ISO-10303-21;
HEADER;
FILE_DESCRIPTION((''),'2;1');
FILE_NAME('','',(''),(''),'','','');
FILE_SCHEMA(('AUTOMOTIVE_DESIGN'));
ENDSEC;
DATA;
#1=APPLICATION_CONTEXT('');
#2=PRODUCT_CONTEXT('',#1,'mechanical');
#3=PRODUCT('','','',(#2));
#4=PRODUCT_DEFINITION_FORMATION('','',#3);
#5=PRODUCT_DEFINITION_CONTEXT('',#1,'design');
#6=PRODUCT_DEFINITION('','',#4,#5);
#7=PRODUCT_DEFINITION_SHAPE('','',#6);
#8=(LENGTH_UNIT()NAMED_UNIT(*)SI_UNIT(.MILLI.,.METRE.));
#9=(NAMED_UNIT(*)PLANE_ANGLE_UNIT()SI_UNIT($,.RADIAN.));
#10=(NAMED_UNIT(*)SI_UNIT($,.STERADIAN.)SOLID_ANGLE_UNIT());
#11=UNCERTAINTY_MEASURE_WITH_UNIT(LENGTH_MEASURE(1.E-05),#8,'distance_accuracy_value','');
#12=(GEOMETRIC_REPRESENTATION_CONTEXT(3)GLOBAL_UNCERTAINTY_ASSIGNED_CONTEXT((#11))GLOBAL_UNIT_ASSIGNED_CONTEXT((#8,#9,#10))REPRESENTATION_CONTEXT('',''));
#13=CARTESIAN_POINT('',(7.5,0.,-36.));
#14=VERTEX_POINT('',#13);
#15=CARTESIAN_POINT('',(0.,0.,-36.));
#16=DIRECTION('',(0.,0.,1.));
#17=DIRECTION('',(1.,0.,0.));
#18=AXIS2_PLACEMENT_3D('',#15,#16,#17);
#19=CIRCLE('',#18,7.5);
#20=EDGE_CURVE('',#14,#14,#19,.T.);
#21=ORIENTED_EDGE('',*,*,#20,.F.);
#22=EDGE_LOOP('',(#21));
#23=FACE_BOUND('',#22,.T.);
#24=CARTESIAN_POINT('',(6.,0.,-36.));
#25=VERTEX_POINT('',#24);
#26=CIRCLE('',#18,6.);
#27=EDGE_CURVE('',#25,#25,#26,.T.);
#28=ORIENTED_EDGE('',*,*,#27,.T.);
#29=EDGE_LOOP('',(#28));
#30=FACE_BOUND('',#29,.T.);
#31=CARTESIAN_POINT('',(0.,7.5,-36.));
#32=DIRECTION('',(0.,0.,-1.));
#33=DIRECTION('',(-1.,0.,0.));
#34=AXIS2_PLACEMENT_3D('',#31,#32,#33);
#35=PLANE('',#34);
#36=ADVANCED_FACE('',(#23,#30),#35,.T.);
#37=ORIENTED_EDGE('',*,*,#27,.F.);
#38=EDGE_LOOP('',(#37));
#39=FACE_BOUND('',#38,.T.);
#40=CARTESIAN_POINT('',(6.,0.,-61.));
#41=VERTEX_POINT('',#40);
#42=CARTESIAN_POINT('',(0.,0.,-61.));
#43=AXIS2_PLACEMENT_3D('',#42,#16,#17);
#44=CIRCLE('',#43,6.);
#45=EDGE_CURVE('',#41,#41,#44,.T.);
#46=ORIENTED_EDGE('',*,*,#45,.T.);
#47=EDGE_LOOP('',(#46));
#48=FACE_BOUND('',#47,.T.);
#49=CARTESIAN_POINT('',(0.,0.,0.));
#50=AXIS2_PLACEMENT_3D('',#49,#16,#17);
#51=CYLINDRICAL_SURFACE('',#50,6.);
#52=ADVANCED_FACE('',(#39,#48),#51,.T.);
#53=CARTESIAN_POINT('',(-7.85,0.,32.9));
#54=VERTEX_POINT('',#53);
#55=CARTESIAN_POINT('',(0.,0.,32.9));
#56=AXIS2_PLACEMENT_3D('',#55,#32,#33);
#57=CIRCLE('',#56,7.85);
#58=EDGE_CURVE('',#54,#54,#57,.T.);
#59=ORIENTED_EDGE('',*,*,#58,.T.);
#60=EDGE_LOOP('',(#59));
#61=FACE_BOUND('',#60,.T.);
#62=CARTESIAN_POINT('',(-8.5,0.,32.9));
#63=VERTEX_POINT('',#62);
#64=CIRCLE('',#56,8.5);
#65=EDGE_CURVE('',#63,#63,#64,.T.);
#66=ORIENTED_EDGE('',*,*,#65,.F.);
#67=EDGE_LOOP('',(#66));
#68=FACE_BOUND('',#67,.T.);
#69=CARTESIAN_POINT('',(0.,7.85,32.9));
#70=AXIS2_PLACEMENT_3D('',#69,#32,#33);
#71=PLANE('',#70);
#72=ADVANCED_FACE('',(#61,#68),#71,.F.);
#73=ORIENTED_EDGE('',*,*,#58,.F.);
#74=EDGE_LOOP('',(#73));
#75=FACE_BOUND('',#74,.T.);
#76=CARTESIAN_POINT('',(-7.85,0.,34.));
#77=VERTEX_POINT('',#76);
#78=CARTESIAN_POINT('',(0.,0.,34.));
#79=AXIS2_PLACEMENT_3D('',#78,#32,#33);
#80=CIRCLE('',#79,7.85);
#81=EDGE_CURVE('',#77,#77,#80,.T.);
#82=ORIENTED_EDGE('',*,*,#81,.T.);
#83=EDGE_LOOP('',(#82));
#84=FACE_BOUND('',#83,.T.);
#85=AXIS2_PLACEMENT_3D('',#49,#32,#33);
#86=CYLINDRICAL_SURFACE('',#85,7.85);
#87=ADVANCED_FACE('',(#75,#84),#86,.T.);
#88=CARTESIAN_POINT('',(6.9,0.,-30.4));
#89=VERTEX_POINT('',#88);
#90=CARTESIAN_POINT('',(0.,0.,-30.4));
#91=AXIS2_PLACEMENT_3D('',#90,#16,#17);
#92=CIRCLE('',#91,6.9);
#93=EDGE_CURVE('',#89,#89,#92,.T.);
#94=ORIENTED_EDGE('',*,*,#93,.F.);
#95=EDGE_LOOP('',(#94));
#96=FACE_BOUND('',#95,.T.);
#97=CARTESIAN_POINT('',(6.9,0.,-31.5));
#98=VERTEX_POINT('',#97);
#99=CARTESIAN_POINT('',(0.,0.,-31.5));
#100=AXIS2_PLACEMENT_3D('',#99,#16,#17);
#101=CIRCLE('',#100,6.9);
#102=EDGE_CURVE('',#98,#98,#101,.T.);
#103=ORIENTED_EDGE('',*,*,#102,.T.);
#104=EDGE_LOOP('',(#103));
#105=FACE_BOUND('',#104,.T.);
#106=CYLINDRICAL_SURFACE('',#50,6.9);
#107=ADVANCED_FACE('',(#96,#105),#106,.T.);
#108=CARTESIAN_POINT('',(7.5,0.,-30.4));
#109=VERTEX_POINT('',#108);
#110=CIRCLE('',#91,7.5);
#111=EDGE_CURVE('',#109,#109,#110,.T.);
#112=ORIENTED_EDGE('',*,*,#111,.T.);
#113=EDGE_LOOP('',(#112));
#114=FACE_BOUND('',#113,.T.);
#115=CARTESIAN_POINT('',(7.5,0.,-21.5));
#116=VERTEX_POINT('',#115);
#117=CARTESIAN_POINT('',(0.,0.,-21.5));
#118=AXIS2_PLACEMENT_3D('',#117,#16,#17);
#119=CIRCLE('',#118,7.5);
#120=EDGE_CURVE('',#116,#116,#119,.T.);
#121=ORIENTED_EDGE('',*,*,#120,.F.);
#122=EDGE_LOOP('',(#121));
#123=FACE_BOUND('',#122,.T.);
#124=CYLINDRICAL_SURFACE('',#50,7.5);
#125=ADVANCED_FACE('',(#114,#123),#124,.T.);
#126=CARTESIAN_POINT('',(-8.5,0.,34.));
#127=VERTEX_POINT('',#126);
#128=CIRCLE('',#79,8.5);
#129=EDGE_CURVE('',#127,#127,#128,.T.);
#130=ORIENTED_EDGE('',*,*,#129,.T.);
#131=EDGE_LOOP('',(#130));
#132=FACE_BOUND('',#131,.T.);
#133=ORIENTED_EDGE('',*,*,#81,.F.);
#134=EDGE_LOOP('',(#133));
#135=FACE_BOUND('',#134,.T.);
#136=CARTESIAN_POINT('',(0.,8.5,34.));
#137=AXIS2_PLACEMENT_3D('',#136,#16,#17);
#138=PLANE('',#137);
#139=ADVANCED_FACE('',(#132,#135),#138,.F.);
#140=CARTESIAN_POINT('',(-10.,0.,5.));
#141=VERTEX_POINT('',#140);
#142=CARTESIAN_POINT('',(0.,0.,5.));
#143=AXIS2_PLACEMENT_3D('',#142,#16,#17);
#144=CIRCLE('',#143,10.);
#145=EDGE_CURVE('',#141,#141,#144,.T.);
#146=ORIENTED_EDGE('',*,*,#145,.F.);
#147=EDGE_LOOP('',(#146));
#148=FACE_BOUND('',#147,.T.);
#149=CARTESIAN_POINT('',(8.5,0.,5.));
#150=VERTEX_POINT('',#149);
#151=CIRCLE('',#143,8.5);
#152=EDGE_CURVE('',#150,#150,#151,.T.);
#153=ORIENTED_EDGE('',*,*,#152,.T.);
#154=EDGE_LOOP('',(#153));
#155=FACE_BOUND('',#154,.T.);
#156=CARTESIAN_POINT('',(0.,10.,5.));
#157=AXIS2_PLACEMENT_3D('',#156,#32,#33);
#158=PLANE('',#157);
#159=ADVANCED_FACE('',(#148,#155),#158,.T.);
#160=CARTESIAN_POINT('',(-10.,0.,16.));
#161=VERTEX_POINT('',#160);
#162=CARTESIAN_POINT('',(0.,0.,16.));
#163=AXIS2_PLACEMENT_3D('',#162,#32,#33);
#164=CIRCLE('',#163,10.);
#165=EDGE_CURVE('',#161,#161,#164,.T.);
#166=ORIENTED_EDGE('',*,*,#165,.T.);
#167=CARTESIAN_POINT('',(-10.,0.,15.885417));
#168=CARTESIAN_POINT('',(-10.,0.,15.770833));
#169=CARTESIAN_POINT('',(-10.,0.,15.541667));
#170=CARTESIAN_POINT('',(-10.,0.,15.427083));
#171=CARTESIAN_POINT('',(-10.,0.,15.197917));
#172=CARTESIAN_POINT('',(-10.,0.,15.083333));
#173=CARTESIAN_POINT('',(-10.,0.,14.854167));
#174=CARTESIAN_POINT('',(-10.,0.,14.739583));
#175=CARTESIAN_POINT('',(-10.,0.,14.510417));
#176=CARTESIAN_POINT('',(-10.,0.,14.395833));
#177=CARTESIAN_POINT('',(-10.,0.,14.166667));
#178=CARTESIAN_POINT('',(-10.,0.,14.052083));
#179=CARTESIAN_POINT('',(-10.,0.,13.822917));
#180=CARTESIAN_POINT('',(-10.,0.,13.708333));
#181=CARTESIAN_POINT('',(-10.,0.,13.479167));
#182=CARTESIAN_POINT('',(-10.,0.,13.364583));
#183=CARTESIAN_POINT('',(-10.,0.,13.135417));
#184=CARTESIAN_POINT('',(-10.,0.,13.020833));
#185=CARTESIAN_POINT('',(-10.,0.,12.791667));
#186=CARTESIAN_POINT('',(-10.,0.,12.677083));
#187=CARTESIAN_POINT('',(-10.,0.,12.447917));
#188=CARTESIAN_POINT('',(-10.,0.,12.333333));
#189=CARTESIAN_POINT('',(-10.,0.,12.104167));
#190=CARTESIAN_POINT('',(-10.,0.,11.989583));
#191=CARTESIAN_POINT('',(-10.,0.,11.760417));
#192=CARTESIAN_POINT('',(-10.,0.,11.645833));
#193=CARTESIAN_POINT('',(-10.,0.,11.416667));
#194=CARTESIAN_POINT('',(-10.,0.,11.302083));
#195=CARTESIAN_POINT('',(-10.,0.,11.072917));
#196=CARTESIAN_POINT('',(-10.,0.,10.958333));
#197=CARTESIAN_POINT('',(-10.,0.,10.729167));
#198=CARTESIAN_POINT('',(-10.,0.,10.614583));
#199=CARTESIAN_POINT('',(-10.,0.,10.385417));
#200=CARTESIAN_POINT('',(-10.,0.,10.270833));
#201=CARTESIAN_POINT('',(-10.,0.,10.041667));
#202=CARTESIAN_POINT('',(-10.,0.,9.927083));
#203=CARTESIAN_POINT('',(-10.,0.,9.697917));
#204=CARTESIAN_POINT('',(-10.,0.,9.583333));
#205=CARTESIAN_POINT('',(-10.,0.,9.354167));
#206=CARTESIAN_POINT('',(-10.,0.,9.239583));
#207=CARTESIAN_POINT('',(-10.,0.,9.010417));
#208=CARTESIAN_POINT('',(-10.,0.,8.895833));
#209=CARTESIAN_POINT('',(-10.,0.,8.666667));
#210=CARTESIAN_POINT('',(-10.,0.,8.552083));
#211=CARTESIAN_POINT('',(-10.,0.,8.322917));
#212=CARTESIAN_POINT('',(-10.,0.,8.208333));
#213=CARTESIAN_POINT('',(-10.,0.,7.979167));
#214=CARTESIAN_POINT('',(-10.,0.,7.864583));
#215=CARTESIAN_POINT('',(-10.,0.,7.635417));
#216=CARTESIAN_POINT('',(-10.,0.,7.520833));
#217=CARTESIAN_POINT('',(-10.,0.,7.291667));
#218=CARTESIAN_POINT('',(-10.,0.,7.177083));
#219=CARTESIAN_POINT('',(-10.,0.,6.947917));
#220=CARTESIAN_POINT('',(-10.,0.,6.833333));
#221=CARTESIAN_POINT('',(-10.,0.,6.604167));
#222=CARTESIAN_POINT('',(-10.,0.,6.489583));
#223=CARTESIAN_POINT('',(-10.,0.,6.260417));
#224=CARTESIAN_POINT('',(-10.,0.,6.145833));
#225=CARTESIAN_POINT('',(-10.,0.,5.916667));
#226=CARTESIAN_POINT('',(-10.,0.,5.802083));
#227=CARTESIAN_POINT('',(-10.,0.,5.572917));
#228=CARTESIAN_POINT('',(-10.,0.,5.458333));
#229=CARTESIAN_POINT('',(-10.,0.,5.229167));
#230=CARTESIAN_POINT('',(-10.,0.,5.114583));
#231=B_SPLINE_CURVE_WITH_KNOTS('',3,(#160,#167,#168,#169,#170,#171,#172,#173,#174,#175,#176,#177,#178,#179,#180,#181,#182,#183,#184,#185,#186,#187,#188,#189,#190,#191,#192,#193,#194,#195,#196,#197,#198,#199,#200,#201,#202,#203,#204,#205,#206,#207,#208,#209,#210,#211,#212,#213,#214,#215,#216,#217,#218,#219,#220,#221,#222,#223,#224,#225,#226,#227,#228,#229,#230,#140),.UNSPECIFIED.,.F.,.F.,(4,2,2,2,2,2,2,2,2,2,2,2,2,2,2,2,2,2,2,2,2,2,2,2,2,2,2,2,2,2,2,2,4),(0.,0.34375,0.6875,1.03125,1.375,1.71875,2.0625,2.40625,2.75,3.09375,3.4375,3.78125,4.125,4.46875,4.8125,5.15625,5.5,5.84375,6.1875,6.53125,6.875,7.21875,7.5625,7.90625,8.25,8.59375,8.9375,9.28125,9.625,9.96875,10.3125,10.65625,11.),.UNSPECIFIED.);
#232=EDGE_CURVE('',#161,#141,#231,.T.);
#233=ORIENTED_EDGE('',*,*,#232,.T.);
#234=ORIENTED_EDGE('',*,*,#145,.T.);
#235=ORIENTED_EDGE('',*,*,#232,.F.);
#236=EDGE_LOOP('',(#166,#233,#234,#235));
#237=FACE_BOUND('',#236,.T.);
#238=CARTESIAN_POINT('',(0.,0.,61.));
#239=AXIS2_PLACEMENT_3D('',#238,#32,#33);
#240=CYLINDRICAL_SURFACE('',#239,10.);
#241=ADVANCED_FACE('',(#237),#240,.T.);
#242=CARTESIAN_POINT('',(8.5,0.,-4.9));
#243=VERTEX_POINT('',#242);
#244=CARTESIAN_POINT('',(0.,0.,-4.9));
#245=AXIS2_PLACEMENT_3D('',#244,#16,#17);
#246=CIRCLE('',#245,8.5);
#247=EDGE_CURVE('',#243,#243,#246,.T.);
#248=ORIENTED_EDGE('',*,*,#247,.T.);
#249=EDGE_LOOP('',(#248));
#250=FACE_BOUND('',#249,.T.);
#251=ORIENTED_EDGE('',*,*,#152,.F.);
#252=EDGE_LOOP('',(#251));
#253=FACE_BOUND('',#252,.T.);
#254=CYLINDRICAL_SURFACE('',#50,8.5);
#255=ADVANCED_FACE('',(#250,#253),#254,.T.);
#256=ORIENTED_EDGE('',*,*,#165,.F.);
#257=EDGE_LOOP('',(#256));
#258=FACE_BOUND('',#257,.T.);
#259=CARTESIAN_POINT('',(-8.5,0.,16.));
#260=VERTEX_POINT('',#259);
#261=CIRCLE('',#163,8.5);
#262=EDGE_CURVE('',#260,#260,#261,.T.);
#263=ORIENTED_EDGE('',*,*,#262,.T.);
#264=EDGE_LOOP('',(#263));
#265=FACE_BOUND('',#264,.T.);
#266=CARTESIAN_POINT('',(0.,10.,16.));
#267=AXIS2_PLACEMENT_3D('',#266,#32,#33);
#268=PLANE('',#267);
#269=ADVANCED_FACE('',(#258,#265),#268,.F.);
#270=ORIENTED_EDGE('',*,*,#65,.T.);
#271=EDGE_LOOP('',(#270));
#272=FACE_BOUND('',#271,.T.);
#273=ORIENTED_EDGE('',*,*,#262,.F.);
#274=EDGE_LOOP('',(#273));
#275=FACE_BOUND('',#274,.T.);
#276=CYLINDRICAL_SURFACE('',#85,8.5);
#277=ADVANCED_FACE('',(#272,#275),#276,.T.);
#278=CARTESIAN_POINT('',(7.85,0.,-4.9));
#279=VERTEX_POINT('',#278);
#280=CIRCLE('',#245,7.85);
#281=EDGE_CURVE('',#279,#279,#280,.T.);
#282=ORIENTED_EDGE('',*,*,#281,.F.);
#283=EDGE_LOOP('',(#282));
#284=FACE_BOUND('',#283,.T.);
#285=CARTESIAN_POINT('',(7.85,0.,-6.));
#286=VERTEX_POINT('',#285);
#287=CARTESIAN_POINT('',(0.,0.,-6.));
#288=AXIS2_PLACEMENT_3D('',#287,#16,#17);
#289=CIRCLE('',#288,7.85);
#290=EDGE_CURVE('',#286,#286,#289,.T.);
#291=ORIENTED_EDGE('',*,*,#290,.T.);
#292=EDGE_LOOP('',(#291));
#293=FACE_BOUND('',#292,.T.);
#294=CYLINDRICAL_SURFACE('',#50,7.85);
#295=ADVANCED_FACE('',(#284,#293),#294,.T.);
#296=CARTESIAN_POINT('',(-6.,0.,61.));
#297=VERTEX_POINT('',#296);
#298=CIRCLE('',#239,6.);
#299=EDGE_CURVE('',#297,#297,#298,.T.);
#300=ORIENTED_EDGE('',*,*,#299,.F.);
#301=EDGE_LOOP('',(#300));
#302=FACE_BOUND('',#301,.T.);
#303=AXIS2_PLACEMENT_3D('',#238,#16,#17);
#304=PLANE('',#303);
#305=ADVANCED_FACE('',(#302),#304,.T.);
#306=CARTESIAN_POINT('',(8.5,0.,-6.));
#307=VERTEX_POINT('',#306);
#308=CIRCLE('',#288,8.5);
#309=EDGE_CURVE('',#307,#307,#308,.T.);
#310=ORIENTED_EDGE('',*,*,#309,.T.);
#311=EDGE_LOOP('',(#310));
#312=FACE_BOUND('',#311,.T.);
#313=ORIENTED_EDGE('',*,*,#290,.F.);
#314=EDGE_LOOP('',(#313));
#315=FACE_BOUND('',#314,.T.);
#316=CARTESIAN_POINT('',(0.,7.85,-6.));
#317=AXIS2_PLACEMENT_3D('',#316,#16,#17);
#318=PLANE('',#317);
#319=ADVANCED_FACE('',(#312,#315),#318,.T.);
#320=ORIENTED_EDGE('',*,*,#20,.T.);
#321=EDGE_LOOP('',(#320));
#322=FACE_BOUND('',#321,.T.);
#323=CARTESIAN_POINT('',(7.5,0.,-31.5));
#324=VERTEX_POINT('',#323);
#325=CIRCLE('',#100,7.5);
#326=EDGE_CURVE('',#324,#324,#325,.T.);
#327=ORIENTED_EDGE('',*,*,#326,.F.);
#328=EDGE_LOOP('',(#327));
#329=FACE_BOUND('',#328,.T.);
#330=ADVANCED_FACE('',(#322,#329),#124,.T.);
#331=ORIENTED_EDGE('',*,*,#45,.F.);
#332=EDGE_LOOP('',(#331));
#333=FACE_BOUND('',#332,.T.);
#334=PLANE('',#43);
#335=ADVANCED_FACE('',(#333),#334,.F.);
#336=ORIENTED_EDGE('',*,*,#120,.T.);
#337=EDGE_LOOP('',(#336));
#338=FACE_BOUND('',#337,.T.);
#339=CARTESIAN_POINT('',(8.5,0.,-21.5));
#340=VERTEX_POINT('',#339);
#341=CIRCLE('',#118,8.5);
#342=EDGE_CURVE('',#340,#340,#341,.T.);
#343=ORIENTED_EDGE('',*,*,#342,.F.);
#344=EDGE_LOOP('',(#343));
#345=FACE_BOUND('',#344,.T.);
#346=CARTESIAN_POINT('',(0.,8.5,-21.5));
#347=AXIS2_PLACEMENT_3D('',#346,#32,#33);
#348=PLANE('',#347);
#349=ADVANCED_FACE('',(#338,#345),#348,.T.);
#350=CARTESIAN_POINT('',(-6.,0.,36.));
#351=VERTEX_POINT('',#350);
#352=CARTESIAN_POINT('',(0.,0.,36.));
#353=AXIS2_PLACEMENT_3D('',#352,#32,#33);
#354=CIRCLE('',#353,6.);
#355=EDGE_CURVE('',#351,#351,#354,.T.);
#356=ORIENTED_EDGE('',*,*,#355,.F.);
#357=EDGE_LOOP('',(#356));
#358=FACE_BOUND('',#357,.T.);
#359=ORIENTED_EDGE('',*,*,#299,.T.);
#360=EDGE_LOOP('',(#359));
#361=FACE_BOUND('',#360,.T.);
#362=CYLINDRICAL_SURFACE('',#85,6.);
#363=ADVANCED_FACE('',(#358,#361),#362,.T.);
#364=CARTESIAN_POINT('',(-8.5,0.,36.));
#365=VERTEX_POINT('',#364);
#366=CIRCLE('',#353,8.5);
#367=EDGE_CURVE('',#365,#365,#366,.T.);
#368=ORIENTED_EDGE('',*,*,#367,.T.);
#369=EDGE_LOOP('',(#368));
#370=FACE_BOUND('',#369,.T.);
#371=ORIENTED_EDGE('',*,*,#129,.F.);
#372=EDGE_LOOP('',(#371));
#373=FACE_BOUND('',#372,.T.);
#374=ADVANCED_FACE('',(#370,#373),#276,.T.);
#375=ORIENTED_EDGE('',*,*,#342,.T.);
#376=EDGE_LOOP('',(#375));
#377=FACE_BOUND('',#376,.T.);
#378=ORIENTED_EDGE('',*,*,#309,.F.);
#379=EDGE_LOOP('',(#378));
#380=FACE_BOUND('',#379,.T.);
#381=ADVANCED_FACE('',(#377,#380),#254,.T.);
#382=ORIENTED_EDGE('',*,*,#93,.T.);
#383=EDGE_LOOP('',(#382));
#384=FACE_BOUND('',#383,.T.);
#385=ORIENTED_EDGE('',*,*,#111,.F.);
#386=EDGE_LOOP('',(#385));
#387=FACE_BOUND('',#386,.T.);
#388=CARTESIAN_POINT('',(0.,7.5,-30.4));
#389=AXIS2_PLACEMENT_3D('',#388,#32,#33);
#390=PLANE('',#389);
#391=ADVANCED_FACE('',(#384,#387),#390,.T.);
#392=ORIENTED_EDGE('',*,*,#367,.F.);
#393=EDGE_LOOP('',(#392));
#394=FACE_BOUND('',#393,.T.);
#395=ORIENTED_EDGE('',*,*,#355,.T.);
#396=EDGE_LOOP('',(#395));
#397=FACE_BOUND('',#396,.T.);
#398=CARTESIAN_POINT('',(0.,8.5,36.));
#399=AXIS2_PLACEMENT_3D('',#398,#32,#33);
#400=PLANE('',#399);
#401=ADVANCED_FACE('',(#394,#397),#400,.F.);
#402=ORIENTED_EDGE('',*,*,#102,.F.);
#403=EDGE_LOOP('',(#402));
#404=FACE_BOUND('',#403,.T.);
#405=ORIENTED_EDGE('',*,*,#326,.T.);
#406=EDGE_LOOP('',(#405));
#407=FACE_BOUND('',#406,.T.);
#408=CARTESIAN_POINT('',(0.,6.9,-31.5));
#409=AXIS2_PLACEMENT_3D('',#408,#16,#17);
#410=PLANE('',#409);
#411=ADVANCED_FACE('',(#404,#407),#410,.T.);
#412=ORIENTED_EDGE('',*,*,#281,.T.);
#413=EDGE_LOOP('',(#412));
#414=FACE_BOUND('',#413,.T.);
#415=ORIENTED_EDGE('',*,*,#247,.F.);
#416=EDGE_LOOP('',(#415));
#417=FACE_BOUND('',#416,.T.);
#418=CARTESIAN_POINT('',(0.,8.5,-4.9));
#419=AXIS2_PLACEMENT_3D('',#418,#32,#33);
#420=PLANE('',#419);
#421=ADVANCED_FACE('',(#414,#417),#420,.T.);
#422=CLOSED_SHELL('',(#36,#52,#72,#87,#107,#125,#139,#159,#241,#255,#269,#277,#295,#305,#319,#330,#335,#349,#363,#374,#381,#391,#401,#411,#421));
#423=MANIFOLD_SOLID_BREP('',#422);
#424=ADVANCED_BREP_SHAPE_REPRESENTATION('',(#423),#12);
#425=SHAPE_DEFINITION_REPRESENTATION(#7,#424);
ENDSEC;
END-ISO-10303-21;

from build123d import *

# Parameters (mm, degrees)
SKETCH1_R           = 10
BOSS_EXTRUDE1_DEPTH = 61
SKETCH3_W           = 66
SKETCH3_H           = 1.5
SKETCH4_W           = 45
SKETCH4_H           = 1.5
SKETCH5_W           = 25
SKETCH5_H           = 2.5
SKETCH6_W           = 39.5
SKETCH6_H           = 1
SKETCH7_W           = 25
SKETCH7_H           = 1.5
SKETCH8_W           = 1.1
SKETCH8_H           = 0.6
SKETCH9_W           = 1.1
SKETCH9_H           = 0.65
SKETCH10_W          = 1.1
SKETCH10_H          = 0.65


with BuildPart() as part:
    # Sketch1 → Boss-Extrude1 (new, symmetric)
    with BuildSketch(Plane.XY):
        with Locations(Location((0, 0, 0), (0, 0, 180))):
            Circle(SKETCH1_R)
    extrude(amount=BOSS_EXTRUDE1_DEPTH, both=True)

    # Sketch3 → Cut-Revolve1 (revolve, cut)
    with BuildSketch(Plane(origin=(0, 0, 0), x_dir=(0, 0, -1), z_dir=(1, 0, 0)), mode=Mode.PRIVATE) as cut_revolve1_sk:
        with Locations((28, 9.25)):
            Rectangle(SKETCH3_W, SKETCH3_H)
    revolve(cut_revolve1_sk.sketch.rotate(Axis((0, 0, 0), (0, 0, -1)), 270), axis=Axis((0, 0, 0), (0, 0, -1)), mode=Mode.SUBTRACT)

    # Sketch4 → Cut-Revolve2 (revolve, cut)
    with BuildSketch(Plane(origin=(0, 0, 0), x_dir=(0, 0, -1), z_dir=(1, 0, 0)), mode=Mode.PRIVATE) as cut_revolve2_sk:
        with Locations((-38.5, 9.25)):
            Rectangle(SKETCH4_W, SKETCH4_H)
    revolve(cut_revolve2_sk.sketch.rotate(Axis((0, 0, 0), (0, 0, 1)), 90), axis=Axis((0, 0, 0), (0, 0, 1)), mode=Mode.SUBTRACT)

    # Sketch5 → Cut-Revolve3 (revolve, cut)
    with BuildSketch(Plane(origin=(0, 0, 0), x_dir=(0, 0, -1), z_dir=(1, 0, 0)), mode=Mode.PRIVATE) as cut_revolve3_sk:
        with Locations((-48.5, 7.25)):
            Rectangle(SKETCH5_W, SKETCH5_H)
    revolve(cut_revolve3_sk.sketch.rotate(Axis((0, 0, 0), (0, 0, 1)), 90), axis=Axis((0, 0, 0), (0, 0, 1)), mode=Mode.SUBTRACT)

    # Sketch6 → Cut-Revolve4 (revolve, cut)
    with BuildSketch(Plane(origin=(0, 0, 0), x_dir=(0, 0, -1), z_dir=(1, 0, 0)), mode=Mode.PRIVATE) as cut_revolve4_sk:
        with Locations((41.25, 8)):
            Rectangle(SKETCH6_W, SKETCH6_H)
    revolve(cut_revolve4_sk.sketch.rotate(Axis((0, 0, 0), (0, 0, -1)), 90), axis=Axis((0, 0, 0), (0, 0, -1)), mode=Mode.SUBTRACT)

    # Sketch7 → Cut-Revolve5 (revolve, cut)
    with BuildSketch(Plane(origin=(0, 0, 0), x_dir=(0, 0, -1), z_dir=(1, 0, 0)), mode=Mode.PRIVATE) as cut_revolve5_sk:
        with Locations((48.5, 6.75)):
            Rectangle(SKETCH7_W, SKETCH7_H)
    revolve(cut_revolve5_sk.sketch.rotate(Axis((0, 0, 0), (0, 0, -1)), 90), axis=Axis((0, 0, 0), (0, 0, -1)), mode=Mode.SUBTRACT)

    # Sketch8 → Cut-Revolve6 (revolve, cut)
    with BuildSketch(Plane(origin=(0, 0, 0), x_dir=(0, 0, -1), z_dir=(1, 0, 0)), mode=Mode.PRIVATE) as cut_revolve6_sk:
        with Locations((30.95, 7.2)):
            Rectangle(SKETCH8_W, SKETCH8_H)
    revolve(cut_revolve6_sk.sketch.rotate(Axis((0, 0, 0), (0, 0, -1)), 90), axis=Axis((0, 0, 0), (0, 0, -1)), mode=Mode.SUBTRACT)

    # Sketch9 → Cut-Revolve7 (revolve, cut)
    with BuildSketch(Plane(origin=(0, 0, 0), x_dir=(0, 0, -1), z_dir=(1, 0, 0)), mode=Mode.PRIVATE) as cut_revolve7_sk:
        with Locations((5.45, 8.175)):
            Rectangle(SKETCH9_W, SKETCH9_H)
    revolve(cut_revolve7_sk.sketch.rotate(Axis((0, 0, 0), (0, 0, -1)), 90), axis=Axis((0, 0, 0), (0, 0, -1)), mode=Mode.SUBTRACT)

    # Sketch10 → Cut-Revolve8 (revolve, cut)
    with BuildSketch(Plane(origin=(0, 0, 0), x_dir=(0, 0, -1), z_dir=(1, 0, 0)), mode=Mode.PRIVATE) as cut_revolve8_sk:
        with Locations((-33.45, 8.175)):
            Rectangle(SKETCH10_W, SKETCH10_H)
    revolve(cut_revolve8_sk.sketch.rotate(Axis((0, 0, 0), (0, 0, 1)), 90), axis=Axis((0, 0, 0), (0, 0, 1)), mode=Mode.SUBTRACT)


solid = part.part
